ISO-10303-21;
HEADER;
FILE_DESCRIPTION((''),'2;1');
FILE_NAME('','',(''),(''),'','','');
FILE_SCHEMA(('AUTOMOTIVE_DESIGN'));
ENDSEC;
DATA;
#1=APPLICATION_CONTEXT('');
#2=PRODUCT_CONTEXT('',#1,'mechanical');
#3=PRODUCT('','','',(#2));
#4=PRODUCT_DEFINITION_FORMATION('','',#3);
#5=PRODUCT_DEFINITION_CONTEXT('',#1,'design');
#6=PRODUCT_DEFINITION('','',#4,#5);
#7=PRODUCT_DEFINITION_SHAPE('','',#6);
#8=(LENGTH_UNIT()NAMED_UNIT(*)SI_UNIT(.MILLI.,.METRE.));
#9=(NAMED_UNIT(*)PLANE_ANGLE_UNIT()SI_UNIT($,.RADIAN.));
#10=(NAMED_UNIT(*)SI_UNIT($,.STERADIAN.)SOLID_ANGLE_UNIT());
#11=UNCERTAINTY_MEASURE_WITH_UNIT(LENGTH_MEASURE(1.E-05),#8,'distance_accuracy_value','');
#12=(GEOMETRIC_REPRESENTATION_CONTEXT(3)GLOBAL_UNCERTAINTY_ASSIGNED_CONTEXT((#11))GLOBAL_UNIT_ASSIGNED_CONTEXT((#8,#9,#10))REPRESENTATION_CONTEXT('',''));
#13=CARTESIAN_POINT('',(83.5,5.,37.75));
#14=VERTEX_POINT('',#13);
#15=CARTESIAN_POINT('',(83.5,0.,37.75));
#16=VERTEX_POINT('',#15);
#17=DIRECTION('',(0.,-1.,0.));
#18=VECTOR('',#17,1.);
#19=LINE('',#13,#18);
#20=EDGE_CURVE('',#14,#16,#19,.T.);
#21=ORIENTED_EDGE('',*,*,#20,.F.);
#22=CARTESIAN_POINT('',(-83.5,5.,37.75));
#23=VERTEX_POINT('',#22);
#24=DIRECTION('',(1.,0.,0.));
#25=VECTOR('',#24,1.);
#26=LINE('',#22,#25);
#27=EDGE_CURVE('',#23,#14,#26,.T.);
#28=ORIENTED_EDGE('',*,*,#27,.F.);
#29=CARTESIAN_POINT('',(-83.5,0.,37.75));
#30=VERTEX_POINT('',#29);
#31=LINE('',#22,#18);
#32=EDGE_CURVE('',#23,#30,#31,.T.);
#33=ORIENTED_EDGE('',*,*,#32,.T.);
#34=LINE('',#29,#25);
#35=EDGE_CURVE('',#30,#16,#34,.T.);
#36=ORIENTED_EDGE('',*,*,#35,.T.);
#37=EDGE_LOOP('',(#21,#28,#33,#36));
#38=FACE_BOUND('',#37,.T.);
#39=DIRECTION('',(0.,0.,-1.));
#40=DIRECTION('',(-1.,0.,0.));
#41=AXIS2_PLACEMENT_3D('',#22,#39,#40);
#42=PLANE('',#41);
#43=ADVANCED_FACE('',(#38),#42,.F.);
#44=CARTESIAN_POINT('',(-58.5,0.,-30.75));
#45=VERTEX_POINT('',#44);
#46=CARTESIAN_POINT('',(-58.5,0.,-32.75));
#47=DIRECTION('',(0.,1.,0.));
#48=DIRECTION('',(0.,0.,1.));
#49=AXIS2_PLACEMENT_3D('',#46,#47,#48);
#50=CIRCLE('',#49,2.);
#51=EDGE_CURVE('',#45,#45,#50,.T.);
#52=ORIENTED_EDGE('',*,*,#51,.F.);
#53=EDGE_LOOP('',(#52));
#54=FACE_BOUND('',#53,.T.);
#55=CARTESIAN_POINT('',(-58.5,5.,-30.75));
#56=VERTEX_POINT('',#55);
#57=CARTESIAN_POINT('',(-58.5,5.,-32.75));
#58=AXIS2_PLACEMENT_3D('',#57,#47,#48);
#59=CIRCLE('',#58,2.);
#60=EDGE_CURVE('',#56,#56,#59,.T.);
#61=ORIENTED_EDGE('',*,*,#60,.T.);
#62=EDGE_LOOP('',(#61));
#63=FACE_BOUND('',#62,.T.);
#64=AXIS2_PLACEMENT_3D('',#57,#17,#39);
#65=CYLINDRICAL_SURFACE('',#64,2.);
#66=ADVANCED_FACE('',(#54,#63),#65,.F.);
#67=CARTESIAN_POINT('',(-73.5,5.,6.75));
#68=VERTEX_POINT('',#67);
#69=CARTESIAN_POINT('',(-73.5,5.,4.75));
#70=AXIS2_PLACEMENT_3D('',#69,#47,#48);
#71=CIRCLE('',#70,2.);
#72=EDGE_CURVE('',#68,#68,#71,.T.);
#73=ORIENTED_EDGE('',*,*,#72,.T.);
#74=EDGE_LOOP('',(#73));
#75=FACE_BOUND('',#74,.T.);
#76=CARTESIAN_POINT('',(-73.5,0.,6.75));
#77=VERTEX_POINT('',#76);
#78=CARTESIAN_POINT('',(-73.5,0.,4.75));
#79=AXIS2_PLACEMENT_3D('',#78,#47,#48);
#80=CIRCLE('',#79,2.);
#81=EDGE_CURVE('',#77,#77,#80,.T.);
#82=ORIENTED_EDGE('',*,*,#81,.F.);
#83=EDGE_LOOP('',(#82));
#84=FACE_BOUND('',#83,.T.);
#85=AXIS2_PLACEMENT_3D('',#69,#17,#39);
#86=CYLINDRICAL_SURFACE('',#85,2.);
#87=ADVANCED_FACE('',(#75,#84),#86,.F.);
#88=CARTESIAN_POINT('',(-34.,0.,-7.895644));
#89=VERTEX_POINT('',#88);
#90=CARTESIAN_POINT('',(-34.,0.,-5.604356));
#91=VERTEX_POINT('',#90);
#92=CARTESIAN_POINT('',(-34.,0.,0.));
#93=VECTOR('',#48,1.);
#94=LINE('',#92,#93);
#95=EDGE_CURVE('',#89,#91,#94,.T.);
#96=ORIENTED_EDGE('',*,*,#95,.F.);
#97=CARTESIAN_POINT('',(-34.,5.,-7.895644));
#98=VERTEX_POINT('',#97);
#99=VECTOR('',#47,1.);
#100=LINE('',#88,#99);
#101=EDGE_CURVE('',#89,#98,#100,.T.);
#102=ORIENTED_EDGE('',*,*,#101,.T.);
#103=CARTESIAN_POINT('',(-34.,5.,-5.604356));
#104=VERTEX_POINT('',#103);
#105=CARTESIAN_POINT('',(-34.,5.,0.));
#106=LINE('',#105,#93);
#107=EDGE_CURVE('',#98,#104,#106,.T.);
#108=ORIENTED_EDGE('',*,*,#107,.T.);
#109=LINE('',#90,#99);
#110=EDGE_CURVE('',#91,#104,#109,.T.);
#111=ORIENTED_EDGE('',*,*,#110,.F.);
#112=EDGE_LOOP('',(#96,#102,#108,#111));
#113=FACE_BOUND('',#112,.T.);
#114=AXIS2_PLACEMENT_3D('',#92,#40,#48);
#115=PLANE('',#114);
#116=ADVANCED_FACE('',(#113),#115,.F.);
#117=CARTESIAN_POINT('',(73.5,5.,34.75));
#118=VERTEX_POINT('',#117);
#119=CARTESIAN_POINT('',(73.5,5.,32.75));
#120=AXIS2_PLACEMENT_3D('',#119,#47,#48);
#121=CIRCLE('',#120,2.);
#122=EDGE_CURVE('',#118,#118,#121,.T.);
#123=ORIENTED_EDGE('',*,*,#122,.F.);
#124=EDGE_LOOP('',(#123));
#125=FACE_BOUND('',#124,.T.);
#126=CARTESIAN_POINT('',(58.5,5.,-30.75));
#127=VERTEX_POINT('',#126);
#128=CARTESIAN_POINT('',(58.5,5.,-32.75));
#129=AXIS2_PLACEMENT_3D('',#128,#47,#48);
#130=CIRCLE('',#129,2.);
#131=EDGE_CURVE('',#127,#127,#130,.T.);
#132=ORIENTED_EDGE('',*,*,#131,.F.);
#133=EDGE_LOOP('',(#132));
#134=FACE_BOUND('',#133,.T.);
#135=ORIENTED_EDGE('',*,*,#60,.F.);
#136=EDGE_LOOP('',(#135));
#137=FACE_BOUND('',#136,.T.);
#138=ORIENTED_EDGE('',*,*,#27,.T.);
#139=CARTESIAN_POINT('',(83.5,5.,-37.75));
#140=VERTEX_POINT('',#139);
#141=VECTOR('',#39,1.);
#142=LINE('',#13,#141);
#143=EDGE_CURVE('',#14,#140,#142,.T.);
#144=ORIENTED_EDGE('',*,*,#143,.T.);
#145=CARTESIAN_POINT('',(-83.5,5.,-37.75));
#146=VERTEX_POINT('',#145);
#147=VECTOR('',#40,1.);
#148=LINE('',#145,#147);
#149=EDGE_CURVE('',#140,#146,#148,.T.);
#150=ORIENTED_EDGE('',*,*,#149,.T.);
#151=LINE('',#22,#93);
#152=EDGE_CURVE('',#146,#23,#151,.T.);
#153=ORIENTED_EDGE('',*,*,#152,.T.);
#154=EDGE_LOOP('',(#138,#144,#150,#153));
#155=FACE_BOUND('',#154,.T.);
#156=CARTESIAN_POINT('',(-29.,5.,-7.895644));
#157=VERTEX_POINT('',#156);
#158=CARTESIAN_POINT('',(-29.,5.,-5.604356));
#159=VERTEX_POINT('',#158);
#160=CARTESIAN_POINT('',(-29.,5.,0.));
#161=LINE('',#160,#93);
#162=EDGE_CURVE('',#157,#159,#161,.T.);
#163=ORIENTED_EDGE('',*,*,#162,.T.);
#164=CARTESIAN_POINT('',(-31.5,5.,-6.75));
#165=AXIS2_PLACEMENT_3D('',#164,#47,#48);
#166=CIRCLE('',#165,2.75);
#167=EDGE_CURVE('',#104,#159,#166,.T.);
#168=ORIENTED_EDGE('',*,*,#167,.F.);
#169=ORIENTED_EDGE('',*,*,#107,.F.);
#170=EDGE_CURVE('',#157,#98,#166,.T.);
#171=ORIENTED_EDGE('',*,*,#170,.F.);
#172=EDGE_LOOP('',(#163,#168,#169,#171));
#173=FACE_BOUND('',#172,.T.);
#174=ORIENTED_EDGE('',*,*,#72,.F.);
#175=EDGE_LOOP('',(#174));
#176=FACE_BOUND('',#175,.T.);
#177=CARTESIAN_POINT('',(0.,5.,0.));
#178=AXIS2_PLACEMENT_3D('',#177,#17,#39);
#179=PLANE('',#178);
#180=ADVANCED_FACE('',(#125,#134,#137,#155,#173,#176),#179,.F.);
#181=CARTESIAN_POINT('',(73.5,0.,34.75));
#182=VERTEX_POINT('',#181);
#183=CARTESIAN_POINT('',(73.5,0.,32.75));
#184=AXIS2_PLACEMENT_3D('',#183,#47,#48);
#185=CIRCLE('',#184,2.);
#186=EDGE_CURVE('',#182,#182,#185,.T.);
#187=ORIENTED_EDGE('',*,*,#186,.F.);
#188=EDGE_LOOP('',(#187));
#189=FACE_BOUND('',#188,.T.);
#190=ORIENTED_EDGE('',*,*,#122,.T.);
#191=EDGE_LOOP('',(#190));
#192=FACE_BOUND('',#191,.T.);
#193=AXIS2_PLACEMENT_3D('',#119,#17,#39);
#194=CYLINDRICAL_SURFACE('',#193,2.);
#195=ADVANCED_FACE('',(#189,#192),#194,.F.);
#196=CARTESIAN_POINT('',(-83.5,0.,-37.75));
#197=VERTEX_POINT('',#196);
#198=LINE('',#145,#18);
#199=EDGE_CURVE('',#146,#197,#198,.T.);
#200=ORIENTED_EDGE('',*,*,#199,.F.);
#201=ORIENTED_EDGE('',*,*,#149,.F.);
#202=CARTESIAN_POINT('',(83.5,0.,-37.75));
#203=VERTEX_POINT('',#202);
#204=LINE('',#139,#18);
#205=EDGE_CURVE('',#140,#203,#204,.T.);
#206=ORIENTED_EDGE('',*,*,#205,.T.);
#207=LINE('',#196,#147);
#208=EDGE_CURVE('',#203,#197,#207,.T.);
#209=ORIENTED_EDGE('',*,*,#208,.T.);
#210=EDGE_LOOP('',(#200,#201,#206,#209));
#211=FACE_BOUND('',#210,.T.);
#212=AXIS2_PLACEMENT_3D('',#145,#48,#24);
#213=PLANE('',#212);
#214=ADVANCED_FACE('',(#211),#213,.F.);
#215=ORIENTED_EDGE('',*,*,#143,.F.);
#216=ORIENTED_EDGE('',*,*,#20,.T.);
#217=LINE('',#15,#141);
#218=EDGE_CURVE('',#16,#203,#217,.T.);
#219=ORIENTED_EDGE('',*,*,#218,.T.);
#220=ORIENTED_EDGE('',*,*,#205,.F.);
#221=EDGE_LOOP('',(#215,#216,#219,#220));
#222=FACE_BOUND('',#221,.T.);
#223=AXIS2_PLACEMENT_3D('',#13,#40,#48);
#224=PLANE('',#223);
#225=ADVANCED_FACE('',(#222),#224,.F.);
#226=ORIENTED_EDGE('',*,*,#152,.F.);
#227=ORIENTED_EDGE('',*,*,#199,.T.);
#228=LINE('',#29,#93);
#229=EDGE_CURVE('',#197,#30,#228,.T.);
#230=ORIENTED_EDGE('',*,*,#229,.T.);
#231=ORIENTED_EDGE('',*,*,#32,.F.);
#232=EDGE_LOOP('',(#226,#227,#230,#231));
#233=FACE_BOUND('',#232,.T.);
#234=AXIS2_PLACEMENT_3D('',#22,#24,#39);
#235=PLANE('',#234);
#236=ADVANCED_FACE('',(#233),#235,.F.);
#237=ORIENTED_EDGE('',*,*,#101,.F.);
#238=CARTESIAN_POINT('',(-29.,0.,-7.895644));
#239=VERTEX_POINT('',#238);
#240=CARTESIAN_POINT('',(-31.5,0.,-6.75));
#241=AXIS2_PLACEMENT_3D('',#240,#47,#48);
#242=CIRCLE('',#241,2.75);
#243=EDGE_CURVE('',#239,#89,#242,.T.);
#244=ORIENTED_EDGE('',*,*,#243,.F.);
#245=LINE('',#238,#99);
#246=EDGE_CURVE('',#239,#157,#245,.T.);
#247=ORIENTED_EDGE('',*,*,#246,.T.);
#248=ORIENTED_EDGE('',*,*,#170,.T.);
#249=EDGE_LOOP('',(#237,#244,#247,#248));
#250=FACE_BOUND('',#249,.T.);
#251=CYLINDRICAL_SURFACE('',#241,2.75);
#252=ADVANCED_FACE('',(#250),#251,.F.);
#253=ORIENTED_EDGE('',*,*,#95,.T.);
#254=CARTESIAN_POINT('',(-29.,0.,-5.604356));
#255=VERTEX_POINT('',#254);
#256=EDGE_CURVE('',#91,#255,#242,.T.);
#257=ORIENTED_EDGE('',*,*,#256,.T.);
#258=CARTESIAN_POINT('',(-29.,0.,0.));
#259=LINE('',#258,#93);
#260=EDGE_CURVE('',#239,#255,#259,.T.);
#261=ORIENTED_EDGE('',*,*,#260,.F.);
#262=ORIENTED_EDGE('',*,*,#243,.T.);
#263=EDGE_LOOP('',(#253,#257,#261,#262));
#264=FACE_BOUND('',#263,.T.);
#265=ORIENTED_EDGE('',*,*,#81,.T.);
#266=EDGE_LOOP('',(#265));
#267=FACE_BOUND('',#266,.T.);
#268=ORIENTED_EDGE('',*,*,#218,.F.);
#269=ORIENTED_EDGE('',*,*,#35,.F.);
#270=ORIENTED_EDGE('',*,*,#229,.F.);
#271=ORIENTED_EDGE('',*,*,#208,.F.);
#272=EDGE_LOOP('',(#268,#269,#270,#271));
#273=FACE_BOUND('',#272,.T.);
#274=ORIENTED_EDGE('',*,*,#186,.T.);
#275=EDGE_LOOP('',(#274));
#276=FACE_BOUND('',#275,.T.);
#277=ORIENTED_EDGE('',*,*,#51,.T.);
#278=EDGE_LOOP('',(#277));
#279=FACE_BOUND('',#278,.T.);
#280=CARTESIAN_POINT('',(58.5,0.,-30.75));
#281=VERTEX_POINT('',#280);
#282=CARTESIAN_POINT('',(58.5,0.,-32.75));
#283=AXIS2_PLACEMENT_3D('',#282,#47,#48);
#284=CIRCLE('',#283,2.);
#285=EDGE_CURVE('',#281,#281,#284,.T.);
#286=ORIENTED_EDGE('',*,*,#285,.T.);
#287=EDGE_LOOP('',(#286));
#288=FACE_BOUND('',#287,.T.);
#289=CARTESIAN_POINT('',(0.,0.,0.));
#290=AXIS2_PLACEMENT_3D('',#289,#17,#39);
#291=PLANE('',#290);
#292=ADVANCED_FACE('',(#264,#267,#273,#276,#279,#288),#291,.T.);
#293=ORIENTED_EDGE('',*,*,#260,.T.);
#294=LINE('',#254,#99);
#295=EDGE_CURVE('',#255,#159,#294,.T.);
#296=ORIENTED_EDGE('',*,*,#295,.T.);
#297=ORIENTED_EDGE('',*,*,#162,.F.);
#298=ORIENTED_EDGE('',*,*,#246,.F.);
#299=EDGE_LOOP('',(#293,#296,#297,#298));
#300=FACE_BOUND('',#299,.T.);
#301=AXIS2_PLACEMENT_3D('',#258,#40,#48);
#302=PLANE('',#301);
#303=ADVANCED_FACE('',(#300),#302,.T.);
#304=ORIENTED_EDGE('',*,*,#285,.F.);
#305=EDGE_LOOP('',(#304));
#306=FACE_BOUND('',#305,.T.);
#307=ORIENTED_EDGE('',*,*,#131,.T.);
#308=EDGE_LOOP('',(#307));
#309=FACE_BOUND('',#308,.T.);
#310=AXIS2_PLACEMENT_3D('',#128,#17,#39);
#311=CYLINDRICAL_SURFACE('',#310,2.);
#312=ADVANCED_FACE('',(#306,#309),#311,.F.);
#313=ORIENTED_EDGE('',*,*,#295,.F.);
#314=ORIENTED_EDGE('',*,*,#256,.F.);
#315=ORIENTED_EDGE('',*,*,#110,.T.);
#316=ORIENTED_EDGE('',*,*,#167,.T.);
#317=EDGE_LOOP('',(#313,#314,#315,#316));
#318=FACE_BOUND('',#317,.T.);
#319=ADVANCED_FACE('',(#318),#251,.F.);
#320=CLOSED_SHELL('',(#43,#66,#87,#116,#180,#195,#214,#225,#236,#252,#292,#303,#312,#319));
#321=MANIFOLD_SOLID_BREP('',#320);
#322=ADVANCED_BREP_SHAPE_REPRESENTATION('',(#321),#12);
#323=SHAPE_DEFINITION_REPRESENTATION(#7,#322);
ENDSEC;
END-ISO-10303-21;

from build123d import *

# Parameters (mm, degrees)
SKETCH2_W           = 167
SKETCH2_H           = 75.5
SKETCH2_R           = 2
BOSS_EXTRUDE1_DEPTH = 5
CUT_EXTRUDE1_DEPTH  = 92.77315784


with BuildPart() as part:
    # Sketch2 → Boss-Extrude1 (new body)
    with BuildSketch(Plane(origin=(0, 0, 0), x_dir=(1, 0, 0), z_dir=(0, 1, 0))):
        Rectangle(SKETCH2_W, SKETCH2_H)
        with Locations(Location((-58.5, 32.75, 0), (0, 0, 270))):
            Circle(SKETCH2_R, mode=Mode.SUBTRACT)
        with Locations(Location((58.5, 32.75, 0), (0, 0, 270))):
            Circle(SKETCH2_R, mode=Mode.SUBTRACT)
        with Locations(Location((-73.5, -4.75, 0), (0, 0, 270))):
            Circle(SKETCH2_R, mode=Mode.SUBTRACT)
        with Locations(Location((73.5, -32.75, 0), (0, 0, 270))):
            Circle(SKETCH2_R, mode=Mode.SUBTRACT)
    extrude(amount=BOSS_EXTRUDE1_DEPTH)

    # Sketch3 → Cut-Extrude1 (cut, through all)
    with BuildSketch(Plane(origin=(0, 5, 0), x_dir=(1, 0, 0), z_dir=(0, 1, 0))):
        with BuildLine():
            ThreePointArc((-29, 7.895643924), (-31.5, 9.5), (-34, 7.895643924))
            Line((-34, 7.895643924), (-34, 5.604356076))
            ThreePointArc((-34, 5.604356076), (-31.5, 4), (-29, 5.604356076))
            Line((-29, 5.604356076), (-29, 7.895643924))
        make_face()
    extrude(amount=-CUT_EXTRUDE1_DEPTH, mode=Mode.SUBTRACT)


solid = part.part
